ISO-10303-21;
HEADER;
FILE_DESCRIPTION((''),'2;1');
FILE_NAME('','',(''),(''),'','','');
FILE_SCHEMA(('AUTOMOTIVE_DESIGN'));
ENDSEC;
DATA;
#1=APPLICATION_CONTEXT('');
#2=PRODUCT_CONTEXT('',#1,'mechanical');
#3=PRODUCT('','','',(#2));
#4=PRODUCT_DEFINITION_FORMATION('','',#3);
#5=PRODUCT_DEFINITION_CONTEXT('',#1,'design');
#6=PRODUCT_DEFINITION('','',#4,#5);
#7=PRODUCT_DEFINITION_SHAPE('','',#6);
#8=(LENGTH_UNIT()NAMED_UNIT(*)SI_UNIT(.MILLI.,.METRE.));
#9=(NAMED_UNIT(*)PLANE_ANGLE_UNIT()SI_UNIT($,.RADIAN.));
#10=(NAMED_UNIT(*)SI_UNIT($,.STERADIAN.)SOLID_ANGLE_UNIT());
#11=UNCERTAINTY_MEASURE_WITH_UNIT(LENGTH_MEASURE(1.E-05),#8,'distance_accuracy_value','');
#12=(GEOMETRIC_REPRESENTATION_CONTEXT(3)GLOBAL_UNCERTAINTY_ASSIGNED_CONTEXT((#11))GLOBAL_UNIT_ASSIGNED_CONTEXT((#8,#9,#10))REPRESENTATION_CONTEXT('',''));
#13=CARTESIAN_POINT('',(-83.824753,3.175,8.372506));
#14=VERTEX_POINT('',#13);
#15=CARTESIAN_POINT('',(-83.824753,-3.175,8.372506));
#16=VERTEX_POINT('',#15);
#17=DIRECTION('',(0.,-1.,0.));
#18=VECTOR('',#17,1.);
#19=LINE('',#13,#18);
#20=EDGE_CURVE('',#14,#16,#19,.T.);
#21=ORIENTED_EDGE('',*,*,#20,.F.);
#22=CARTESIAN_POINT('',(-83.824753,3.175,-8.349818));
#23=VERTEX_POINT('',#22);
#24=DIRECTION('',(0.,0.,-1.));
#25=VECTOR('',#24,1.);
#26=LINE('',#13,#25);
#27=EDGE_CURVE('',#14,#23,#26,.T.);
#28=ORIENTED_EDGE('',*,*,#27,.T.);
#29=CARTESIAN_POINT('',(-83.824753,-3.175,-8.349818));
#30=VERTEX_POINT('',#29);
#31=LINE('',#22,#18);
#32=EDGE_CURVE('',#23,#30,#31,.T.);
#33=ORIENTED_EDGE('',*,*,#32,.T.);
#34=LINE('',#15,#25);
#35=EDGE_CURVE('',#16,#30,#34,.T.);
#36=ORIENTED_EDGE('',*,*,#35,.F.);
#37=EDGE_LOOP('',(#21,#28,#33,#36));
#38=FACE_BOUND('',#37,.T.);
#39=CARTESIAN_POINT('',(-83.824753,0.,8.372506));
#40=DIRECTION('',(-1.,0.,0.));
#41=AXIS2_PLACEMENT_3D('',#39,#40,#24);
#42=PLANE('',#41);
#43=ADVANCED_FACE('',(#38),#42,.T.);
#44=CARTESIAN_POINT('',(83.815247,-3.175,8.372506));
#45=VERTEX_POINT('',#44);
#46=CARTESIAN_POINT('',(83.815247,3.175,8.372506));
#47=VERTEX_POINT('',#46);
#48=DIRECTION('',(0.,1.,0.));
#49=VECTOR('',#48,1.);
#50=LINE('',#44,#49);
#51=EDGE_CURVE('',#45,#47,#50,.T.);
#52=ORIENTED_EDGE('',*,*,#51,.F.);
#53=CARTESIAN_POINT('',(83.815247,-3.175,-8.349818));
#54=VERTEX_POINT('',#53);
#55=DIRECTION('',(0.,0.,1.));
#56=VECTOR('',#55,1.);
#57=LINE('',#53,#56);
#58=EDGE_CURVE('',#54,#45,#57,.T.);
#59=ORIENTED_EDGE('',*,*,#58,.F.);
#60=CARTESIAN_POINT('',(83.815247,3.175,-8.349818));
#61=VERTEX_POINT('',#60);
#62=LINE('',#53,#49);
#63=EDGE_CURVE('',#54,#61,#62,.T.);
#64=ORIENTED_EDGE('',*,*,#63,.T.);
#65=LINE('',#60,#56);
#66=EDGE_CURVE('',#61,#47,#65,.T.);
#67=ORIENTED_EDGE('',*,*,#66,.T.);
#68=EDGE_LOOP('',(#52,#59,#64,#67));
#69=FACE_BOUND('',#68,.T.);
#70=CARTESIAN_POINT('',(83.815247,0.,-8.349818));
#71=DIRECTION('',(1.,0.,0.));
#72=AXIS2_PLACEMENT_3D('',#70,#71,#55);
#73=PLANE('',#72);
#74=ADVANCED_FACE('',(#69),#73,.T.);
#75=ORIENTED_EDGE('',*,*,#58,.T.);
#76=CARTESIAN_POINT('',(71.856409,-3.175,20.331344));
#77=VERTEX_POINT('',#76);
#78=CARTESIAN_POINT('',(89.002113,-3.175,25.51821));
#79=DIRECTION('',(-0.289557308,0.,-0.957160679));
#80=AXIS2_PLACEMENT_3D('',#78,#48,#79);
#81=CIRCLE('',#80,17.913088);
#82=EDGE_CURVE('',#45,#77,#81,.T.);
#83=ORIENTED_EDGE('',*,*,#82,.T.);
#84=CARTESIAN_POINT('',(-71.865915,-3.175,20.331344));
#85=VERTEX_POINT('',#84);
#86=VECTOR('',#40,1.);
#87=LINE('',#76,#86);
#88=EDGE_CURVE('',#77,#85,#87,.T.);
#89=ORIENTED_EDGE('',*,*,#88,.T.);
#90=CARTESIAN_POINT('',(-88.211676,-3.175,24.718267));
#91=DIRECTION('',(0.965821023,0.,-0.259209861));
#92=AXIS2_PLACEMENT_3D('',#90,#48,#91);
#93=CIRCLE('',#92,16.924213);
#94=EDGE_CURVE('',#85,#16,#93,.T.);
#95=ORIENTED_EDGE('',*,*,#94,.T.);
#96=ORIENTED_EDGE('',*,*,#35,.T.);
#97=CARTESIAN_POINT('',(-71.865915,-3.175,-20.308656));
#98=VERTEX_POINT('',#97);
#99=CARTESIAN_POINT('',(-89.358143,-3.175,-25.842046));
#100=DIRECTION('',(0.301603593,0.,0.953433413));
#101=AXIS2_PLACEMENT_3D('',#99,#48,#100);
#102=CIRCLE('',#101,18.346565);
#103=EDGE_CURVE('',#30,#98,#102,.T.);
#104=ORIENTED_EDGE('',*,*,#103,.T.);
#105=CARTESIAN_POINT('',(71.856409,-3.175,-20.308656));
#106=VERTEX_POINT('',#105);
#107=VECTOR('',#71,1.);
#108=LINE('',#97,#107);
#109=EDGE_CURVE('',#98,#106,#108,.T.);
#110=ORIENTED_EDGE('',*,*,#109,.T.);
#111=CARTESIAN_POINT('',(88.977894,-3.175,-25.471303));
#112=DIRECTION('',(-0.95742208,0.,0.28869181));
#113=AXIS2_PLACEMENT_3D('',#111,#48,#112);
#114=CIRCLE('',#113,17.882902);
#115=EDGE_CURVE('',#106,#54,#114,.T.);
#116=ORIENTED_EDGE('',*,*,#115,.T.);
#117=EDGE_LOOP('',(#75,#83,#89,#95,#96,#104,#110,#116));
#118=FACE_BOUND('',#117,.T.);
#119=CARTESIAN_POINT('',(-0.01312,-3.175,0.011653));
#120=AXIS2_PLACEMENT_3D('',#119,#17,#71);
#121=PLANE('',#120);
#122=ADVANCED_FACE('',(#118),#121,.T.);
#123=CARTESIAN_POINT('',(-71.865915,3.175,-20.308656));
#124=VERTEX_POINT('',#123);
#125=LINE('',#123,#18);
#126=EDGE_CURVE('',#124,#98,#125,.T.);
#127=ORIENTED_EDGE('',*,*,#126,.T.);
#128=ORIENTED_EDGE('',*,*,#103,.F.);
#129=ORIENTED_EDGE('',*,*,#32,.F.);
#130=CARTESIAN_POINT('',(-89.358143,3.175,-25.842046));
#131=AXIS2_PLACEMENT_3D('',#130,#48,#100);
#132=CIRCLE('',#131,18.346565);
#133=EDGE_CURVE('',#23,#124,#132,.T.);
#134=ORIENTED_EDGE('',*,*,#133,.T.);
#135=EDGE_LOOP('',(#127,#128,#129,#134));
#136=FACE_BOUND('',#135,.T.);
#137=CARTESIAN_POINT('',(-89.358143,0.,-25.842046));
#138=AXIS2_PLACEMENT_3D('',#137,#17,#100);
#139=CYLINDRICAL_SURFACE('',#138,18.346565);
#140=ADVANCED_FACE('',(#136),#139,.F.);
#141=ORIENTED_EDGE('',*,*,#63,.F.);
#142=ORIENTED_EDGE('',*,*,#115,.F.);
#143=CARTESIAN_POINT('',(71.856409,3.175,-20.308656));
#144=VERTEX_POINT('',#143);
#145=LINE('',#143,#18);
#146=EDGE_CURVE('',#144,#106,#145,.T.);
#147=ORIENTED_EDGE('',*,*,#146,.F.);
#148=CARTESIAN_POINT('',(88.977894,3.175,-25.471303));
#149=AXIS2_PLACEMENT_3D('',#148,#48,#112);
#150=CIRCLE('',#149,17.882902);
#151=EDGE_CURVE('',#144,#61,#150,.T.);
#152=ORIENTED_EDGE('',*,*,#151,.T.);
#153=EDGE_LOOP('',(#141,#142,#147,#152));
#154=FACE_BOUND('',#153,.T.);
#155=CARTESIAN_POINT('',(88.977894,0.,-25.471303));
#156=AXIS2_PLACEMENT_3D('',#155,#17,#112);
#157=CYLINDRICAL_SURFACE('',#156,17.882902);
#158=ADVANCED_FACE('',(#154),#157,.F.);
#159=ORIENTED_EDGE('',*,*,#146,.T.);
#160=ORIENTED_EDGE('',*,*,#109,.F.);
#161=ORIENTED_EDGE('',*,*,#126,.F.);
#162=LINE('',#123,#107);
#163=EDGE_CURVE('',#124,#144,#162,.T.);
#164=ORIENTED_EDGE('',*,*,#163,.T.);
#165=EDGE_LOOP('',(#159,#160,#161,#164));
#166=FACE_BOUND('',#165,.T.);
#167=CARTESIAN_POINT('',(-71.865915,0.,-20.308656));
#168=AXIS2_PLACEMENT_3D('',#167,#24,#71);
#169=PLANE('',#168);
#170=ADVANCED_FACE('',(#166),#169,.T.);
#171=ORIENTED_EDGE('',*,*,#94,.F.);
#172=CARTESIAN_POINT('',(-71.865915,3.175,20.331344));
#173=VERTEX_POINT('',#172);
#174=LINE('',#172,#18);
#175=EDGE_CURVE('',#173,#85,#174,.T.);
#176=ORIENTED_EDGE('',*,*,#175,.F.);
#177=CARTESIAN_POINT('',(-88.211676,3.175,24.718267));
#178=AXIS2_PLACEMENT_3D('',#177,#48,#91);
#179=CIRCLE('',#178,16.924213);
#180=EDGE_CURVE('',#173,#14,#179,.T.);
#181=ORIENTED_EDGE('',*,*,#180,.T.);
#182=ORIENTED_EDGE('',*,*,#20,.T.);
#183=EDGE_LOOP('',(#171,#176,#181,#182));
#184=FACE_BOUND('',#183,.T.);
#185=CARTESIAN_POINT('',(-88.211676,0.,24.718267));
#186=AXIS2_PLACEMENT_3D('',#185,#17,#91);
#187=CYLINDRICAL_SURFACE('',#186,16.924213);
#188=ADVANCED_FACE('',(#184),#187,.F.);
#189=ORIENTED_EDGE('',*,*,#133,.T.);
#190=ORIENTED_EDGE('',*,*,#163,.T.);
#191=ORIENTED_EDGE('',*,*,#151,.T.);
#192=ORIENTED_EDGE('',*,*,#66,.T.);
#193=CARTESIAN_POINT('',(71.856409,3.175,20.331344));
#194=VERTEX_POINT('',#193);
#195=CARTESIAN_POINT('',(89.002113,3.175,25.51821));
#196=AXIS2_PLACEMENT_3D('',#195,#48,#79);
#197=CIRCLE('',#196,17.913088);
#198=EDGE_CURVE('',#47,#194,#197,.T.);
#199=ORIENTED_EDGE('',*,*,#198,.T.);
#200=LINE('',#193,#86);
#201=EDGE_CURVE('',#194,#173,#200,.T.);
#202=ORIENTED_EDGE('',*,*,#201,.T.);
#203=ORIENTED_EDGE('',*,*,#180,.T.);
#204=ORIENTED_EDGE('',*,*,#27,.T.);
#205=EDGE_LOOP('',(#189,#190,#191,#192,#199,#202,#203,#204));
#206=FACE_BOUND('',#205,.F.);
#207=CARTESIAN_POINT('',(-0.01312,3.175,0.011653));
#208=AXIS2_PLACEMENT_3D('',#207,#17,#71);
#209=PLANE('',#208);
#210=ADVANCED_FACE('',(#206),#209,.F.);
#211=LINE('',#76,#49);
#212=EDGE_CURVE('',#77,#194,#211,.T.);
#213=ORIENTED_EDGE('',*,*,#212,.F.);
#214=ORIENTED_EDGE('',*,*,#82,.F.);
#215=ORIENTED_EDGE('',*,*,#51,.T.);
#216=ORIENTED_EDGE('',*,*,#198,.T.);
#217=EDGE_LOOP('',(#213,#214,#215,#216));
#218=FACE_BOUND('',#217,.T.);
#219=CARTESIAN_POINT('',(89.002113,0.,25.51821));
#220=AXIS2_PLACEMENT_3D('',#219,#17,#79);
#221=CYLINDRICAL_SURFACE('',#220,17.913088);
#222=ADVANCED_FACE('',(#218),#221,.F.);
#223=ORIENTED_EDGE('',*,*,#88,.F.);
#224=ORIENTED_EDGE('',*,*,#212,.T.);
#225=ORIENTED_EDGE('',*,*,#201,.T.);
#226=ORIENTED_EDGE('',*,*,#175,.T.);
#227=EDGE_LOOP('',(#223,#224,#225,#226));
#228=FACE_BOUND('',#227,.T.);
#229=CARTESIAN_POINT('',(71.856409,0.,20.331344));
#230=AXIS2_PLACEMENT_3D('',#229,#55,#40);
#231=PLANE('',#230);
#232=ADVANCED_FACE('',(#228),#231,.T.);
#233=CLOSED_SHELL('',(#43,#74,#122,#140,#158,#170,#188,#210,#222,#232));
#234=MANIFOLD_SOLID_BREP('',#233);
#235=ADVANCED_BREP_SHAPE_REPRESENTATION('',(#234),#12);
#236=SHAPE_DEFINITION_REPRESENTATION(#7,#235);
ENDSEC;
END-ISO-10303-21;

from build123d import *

# Parameters (mm, degrees)
F1_DEPTH = 3.175


with BuildPart() as f1:
    # F0 (on Front) → F1 (new body, symmetric)
    with BuildSketch(Plane.XZ):
        with BuildLine():
            Line((71.856409, 20.331344), (-71.865915, 20.331344))
            ThreePointArc((-71.865915, 20.331344), (-76.24445, 12.751041), (-83.824753, 8.372506))
            Line((-83.824753, 8.372506), (-83.824753, -8.349818))
            ThreePointArc((-83.824753, -8.349818), (-76.385163, -12.869065), (-71.865915, -20.308656))
            Line((-71.865915, -20.308656), (71.856409, -20.308656))
            ThreePointArc((71.856409, -20.308656), (76.332773, -12.826182), (83.815247, -8.349818))
            Line((83.815247, -8.349818), (83.815247, 8.372506))
            ThreePointArc((83.815247, 8.372506), (76.335646, 12.851744), (71.856409, 20.331344))
        make_face()
    extrude(amount=F1_DEPTH, both=True)


solid = f1.part
